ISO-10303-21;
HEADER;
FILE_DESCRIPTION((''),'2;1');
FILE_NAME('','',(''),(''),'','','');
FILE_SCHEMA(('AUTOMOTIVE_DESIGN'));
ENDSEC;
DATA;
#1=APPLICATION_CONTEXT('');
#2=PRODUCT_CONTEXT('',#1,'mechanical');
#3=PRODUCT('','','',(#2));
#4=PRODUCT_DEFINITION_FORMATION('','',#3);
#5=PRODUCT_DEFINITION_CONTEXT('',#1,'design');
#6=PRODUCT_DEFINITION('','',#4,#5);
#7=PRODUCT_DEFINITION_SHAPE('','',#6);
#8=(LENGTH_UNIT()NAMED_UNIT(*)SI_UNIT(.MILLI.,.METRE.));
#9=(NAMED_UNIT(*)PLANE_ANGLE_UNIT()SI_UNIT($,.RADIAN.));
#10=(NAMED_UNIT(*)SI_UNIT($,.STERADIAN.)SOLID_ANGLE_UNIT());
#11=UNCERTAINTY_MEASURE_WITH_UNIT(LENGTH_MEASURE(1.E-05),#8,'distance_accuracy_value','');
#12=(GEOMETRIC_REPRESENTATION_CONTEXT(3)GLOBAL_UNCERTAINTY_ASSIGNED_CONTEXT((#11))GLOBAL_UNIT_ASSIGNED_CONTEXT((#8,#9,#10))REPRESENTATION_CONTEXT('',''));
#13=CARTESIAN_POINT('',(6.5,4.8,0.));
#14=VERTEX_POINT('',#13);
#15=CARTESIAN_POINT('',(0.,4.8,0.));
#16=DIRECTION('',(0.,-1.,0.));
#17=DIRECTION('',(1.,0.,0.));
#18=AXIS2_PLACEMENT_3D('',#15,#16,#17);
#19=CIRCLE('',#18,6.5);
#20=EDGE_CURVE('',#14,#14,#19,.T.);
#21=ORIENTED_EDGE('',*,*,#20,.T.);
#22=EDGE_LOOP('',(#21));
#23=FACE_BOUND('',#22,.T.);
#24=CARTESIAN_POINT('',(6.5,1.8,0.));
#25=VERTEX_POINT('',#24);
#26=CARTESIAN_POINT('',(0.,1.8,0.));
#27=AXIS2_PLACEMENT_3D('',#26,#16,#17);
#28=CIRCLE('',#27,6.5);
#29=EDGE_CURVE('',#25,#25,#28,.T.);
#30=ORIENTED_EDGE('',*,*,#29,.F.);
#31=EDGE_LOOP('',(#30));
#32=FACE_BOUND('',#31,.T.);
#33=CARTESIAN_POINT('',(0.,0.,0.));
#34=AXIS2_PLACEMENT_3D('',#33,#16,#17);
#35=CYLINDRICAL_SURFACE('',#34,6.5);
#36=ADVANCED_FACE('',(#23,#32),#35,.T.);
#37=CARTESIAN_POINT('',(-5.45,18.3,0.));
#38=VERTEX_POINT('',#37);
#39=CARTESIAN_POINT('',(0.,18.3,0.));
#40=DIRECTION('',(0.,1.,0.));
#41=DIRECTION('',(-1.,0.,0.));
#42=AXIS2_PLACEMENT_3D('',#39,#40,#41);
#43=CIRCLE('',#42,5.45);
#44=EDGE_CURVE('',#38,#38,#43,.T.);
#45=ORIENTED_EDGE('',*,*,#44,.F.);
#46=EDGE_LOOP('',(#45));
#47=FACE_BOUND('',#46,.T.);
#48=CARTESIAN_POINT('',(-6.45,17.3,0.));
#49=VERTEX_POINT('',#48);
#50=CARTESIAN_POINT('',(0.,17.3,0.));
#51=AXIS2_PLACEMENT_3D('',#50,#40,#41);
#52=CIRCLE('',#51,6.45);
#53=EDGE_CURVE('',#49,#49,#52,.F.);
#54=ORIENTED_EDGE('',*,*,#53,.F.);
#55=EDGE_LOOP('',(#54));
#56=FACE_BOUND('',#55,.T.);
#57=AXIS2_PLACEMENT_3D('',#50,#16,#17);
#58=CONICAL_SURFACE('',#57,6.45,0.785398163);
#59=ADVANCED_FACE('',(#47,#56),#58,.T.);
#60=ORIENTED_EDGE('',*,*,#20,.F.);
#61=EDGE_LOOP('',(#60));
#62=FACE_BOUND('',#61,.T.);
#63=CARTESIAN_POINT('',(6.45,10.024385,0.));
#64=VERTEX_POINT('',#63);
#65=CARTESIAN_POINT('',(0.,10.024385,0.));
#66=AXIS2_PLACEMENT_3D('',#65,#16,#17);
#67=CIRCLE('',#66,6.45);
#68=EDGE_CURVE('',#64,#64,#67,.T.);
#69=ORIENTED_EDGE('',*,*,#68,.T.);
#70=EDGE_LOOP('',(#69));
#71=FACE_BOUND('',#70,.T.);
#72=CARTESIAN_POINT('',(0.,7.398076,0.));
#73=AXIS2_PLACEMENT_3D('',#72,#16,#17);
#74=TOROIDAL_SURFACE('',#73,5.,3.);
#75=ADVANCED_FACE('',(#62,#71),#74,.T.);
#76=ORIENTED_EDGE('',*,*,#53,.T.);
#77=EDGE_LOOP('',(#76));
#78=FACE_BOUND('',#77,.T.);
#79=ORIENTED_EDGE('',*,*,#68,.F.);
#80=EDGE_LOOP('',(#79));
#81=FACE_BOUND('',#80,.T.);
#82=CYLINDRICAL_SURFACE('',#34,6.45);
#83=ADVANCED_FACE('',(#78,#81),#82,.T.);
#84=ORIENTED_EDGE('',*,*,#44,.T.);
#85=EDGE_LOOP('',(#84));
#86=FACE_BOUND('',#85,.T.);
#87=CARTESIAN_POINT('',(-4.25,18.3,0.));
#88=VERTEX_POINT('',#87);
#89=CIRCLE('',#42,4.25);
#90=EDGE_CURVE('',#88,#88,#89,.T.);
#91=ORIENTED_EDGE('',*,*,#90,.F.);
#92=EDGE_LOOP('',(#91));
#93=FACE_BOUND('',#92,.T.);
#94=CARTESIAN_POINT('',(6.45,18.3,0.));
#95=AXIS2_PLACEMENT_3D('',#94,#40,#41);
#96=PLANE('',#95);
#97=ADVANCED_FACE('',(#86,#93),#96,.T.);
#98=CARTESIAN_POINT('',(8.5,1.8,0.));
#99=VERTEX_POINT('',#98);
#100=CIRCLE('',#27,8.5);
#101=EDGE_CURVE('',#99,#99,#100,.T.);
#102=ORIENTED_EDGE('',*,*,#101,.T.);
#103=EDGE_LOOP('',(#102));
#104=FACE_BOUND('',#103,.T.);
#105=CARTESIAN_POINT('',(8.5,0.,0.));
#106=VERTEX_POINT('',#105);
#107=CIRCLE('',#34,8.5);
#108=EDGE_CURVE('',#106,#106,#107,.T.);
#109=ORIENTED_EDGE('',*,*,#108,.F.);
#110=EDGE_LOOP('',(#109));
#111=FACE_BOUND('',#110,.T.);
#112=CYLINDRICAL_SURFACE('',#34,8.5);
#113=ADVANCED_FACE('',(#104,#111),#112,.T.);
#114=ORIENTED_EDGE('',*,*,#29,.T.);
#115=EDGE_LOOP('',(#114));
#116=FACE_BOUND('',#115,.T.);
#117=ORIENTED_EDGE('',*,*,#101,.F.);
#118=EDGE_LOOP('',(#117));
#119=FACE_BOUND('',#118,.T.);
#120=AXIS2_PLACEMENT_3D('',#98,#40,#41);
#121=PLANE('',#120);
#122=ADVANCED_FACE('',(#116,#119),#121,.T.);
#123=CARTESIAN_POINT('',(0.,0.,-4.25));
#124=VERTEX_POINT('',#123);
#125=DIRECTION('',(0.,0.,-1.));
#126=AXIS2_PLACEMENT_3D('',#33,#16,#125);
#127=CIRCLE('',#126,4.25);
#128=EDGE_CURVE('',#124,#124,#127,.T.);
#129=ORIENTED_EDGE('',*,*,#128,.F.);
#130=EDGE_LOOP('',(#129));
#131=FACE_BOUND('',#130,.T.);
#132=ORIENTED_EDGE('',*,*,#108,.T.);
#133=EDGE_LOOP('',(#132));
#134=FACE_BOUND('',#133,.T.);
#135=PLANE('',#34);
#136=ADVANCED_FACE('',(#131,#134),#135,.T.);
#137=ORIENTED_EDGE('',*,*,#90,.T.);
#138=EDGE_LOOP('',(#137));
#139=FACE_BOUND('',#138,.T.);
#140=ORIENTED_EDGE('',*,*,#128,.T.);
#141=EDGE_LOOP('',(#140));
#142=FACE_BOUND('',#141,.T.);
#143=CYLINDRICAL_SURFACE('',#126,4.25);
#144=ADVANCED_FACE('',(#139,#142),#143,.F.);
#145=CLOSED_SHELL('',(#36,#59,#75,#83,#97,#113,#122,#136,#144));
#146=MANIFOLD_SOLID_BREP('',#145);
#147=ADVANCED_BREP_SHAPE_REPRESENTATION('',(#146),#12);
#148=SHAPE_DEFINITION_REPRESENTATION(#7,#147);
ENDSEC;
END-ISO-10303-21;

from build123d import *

# Parameters (mm, degrees)
HOLE_WIZARD_M10_1_D     = 8.5
HOLE_WIZARD_M10_1_DEPTH = 24.5
HOLE_WIZARD_M10_1_TIP   = 2.553657631
CHAMFER_1_SIZE          = 1


with BuildPart() as part:
    # 草图1 → 旋转1 (revolve)
    with BuildSketch(Plane.XY):
        with BuildLine():
            Line((0, 0), (8.5, 0))
            Line((8.5, 0), (8.5, 1.8))
            Line((8.5, 1.8), (6.5, 1.8))
            Line((6.5, 1.8), (6.5, 4.8))
            ThreePointArc((6.5, 4.8), (7.999862618, 7.426786408), (6.45, 10.024385409))
            Line((6.45, 10.024385409), (6.45, 18.3))
            Line((6.45, 18.3), (0, 18.3))
            Line((0, 18.3), (0, 0))
        make_face()
    revolve(axis=Axis((0, 0, 0), (0, 1, 0)))

    # M10 螺纹孔1
    with Locations(Plane(origin=(0, 0, 0), x_dir=(-1, 0, 0), z_dir=(0, -1, 0))):
        with Locations((0, 0)):
            Hole(HOLE_WIZARD_M10_1_D / 2, depth=HOLE_WIZARD_M10_1_DEPTH)
            with Locations((0, 0, -(HOLE_WIZARD_M10_1_DEPTH + HOLE_WIZARD_M10_1_TIP / 2))):  # 118° drill point
                Cone(0, HOLE_WIZARD_M10_1_D / 2, HOLE_WIZARD_M10_1_TIP, mode=Mode.SUBTRACT)

    # 倒角1
    chamfer_1_edges = [part.edges().sort_by_distance(p)[0] for p in [
        (-6.45, 18.3, 0),
    ]]
    chamfer(chamfer_1_edges, length=CHAMFER_1_SIZE)


solid = part.part
